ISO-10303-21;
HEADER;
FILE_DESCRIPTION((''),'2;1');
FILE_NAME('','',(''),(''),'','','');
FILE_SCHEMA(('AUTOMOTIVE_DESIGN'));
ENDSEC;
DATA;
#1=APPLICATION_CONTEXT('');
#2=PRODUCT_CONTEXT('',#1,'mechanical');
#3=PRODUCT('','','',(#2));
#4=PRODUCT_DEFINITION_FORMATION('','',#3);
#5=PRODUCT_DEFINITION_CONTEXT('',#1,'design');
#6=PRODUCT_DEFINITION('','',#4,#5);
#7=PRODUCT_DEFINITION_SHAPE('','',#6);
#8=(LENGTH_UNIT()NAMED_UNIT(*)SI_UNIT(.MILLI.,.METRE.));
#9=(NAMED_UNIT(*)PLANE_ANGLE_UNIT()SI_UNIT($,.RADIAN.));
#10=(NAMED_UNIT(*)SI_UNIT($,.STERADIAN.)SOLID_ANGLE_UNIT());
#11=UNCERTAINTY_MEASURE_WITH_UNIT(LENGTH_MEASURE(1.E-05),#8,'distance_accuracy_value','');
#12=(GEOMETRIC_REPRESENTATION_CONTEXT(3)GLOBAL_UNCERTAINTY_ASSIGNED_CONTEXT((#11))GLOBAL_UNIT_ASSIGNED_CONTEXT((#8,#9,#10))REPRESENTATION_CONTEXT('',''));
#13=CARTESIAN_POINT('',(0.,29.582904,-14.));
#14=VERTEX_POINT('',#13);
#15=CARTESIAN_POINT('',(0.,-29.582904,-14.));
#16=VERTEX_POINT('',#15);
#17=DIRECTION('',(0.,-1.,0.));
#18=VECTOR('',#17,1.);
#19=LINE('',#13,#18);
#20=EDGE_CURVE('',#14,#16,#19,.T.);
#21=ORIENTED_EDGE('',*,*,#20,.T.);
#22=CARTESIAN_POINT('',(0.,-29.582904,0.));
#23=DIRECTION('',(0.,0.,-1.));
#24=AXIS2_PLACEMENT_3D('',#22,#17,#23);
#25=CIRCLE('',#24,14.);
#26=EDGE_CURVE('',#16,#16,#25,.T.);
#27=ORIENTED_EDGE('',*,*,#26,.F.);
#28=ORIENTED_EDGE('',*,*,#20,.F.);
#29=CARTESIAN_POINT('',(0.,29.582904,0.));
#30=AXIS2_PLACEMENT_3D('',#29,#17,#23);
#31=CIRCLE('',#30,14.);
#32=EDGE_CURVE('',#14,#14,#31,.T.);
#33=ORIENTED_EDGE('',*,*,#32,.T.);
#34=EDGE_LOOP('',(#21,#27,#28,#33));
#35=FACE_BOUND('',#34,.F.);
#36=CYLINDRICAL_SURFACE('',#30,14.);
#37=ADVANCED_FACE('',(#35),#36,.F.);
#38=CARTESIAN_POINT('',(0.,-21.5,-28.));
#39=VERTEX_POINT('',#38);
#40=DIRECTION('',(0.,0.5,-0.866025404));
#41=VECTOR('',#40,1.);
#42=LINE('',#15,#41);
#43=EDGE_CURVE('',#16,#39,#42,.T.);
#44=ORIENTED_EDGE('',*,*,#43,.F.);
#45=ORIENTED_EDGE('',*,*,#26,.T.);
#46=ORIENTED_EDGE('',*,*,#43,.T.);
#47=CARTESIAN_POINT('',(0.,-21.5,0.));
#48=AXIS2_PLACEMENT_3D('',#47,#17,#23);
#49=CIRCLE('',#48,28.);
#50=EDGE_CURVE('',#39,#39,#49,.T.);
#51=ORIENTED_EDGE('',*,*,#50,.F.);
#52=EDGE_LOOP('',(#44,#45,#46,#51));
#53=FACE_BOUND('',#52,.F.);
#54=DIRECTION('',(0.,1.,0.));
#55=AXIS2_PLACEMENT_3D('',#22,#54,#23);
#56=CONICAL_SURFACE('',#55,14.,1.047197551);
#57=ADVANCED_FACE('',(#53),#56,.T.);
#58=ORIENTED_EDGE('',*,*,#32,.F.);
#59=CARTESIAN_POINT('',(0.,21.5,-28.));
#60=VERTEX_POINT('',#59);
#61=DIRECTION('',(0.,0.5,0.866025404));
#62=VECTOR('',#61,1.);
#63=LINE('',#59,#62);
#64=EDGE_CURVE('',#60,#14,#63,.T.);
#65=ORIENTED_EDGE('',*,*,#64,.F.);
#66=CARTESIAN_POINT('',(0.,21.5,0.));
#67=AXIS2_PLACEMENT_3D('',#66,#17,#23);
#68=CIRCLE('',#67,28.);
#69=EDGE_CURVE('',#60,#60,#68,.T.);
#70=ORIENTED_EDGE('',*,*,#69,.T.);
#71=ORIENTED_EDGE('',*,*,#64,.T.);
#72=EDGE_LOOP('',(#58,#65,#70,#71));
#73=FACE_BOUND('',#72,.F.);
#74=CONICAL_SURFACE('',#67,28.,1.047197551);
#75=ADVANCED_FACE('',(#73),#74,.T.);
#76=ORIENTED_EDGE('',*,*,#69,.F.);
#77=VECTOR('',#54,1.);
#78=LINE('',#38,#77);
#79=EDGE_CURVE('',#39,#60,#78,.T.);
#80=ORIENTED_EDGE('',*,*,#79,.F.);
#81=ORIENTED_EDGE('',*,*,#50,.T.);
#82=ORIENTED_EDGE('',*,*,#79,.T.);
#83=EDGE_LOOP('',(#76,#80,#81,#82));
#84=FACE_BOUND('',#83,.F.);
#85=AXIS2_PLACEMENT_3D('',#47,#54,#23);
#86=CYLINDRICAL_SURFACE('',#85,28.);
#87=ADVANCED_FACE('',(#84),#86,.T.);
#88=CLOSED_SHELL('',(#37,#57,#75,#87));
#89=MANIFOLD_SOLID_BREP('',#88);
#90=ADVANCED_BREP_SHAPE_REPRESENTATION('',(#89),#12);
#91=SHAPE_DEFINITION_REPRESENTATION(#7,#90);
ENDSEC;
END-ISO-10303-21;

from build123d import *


with BuildPart() as part:
    # Sketch1 → Revolve1 (revolve)
    with BuildSketch(Plane(origin=(0, 0, 0), x_dir=(0, 0, -1), z_dir=(1, 0, 0))):
        Polygon((14, 29.582903769), (14, -29.582903769), (28, -21.5), (28, 21.5), align=None)
    revolve(axis=Axis((0, 32.360655738, 0), (0, -1, 0)))


solid = part.part
